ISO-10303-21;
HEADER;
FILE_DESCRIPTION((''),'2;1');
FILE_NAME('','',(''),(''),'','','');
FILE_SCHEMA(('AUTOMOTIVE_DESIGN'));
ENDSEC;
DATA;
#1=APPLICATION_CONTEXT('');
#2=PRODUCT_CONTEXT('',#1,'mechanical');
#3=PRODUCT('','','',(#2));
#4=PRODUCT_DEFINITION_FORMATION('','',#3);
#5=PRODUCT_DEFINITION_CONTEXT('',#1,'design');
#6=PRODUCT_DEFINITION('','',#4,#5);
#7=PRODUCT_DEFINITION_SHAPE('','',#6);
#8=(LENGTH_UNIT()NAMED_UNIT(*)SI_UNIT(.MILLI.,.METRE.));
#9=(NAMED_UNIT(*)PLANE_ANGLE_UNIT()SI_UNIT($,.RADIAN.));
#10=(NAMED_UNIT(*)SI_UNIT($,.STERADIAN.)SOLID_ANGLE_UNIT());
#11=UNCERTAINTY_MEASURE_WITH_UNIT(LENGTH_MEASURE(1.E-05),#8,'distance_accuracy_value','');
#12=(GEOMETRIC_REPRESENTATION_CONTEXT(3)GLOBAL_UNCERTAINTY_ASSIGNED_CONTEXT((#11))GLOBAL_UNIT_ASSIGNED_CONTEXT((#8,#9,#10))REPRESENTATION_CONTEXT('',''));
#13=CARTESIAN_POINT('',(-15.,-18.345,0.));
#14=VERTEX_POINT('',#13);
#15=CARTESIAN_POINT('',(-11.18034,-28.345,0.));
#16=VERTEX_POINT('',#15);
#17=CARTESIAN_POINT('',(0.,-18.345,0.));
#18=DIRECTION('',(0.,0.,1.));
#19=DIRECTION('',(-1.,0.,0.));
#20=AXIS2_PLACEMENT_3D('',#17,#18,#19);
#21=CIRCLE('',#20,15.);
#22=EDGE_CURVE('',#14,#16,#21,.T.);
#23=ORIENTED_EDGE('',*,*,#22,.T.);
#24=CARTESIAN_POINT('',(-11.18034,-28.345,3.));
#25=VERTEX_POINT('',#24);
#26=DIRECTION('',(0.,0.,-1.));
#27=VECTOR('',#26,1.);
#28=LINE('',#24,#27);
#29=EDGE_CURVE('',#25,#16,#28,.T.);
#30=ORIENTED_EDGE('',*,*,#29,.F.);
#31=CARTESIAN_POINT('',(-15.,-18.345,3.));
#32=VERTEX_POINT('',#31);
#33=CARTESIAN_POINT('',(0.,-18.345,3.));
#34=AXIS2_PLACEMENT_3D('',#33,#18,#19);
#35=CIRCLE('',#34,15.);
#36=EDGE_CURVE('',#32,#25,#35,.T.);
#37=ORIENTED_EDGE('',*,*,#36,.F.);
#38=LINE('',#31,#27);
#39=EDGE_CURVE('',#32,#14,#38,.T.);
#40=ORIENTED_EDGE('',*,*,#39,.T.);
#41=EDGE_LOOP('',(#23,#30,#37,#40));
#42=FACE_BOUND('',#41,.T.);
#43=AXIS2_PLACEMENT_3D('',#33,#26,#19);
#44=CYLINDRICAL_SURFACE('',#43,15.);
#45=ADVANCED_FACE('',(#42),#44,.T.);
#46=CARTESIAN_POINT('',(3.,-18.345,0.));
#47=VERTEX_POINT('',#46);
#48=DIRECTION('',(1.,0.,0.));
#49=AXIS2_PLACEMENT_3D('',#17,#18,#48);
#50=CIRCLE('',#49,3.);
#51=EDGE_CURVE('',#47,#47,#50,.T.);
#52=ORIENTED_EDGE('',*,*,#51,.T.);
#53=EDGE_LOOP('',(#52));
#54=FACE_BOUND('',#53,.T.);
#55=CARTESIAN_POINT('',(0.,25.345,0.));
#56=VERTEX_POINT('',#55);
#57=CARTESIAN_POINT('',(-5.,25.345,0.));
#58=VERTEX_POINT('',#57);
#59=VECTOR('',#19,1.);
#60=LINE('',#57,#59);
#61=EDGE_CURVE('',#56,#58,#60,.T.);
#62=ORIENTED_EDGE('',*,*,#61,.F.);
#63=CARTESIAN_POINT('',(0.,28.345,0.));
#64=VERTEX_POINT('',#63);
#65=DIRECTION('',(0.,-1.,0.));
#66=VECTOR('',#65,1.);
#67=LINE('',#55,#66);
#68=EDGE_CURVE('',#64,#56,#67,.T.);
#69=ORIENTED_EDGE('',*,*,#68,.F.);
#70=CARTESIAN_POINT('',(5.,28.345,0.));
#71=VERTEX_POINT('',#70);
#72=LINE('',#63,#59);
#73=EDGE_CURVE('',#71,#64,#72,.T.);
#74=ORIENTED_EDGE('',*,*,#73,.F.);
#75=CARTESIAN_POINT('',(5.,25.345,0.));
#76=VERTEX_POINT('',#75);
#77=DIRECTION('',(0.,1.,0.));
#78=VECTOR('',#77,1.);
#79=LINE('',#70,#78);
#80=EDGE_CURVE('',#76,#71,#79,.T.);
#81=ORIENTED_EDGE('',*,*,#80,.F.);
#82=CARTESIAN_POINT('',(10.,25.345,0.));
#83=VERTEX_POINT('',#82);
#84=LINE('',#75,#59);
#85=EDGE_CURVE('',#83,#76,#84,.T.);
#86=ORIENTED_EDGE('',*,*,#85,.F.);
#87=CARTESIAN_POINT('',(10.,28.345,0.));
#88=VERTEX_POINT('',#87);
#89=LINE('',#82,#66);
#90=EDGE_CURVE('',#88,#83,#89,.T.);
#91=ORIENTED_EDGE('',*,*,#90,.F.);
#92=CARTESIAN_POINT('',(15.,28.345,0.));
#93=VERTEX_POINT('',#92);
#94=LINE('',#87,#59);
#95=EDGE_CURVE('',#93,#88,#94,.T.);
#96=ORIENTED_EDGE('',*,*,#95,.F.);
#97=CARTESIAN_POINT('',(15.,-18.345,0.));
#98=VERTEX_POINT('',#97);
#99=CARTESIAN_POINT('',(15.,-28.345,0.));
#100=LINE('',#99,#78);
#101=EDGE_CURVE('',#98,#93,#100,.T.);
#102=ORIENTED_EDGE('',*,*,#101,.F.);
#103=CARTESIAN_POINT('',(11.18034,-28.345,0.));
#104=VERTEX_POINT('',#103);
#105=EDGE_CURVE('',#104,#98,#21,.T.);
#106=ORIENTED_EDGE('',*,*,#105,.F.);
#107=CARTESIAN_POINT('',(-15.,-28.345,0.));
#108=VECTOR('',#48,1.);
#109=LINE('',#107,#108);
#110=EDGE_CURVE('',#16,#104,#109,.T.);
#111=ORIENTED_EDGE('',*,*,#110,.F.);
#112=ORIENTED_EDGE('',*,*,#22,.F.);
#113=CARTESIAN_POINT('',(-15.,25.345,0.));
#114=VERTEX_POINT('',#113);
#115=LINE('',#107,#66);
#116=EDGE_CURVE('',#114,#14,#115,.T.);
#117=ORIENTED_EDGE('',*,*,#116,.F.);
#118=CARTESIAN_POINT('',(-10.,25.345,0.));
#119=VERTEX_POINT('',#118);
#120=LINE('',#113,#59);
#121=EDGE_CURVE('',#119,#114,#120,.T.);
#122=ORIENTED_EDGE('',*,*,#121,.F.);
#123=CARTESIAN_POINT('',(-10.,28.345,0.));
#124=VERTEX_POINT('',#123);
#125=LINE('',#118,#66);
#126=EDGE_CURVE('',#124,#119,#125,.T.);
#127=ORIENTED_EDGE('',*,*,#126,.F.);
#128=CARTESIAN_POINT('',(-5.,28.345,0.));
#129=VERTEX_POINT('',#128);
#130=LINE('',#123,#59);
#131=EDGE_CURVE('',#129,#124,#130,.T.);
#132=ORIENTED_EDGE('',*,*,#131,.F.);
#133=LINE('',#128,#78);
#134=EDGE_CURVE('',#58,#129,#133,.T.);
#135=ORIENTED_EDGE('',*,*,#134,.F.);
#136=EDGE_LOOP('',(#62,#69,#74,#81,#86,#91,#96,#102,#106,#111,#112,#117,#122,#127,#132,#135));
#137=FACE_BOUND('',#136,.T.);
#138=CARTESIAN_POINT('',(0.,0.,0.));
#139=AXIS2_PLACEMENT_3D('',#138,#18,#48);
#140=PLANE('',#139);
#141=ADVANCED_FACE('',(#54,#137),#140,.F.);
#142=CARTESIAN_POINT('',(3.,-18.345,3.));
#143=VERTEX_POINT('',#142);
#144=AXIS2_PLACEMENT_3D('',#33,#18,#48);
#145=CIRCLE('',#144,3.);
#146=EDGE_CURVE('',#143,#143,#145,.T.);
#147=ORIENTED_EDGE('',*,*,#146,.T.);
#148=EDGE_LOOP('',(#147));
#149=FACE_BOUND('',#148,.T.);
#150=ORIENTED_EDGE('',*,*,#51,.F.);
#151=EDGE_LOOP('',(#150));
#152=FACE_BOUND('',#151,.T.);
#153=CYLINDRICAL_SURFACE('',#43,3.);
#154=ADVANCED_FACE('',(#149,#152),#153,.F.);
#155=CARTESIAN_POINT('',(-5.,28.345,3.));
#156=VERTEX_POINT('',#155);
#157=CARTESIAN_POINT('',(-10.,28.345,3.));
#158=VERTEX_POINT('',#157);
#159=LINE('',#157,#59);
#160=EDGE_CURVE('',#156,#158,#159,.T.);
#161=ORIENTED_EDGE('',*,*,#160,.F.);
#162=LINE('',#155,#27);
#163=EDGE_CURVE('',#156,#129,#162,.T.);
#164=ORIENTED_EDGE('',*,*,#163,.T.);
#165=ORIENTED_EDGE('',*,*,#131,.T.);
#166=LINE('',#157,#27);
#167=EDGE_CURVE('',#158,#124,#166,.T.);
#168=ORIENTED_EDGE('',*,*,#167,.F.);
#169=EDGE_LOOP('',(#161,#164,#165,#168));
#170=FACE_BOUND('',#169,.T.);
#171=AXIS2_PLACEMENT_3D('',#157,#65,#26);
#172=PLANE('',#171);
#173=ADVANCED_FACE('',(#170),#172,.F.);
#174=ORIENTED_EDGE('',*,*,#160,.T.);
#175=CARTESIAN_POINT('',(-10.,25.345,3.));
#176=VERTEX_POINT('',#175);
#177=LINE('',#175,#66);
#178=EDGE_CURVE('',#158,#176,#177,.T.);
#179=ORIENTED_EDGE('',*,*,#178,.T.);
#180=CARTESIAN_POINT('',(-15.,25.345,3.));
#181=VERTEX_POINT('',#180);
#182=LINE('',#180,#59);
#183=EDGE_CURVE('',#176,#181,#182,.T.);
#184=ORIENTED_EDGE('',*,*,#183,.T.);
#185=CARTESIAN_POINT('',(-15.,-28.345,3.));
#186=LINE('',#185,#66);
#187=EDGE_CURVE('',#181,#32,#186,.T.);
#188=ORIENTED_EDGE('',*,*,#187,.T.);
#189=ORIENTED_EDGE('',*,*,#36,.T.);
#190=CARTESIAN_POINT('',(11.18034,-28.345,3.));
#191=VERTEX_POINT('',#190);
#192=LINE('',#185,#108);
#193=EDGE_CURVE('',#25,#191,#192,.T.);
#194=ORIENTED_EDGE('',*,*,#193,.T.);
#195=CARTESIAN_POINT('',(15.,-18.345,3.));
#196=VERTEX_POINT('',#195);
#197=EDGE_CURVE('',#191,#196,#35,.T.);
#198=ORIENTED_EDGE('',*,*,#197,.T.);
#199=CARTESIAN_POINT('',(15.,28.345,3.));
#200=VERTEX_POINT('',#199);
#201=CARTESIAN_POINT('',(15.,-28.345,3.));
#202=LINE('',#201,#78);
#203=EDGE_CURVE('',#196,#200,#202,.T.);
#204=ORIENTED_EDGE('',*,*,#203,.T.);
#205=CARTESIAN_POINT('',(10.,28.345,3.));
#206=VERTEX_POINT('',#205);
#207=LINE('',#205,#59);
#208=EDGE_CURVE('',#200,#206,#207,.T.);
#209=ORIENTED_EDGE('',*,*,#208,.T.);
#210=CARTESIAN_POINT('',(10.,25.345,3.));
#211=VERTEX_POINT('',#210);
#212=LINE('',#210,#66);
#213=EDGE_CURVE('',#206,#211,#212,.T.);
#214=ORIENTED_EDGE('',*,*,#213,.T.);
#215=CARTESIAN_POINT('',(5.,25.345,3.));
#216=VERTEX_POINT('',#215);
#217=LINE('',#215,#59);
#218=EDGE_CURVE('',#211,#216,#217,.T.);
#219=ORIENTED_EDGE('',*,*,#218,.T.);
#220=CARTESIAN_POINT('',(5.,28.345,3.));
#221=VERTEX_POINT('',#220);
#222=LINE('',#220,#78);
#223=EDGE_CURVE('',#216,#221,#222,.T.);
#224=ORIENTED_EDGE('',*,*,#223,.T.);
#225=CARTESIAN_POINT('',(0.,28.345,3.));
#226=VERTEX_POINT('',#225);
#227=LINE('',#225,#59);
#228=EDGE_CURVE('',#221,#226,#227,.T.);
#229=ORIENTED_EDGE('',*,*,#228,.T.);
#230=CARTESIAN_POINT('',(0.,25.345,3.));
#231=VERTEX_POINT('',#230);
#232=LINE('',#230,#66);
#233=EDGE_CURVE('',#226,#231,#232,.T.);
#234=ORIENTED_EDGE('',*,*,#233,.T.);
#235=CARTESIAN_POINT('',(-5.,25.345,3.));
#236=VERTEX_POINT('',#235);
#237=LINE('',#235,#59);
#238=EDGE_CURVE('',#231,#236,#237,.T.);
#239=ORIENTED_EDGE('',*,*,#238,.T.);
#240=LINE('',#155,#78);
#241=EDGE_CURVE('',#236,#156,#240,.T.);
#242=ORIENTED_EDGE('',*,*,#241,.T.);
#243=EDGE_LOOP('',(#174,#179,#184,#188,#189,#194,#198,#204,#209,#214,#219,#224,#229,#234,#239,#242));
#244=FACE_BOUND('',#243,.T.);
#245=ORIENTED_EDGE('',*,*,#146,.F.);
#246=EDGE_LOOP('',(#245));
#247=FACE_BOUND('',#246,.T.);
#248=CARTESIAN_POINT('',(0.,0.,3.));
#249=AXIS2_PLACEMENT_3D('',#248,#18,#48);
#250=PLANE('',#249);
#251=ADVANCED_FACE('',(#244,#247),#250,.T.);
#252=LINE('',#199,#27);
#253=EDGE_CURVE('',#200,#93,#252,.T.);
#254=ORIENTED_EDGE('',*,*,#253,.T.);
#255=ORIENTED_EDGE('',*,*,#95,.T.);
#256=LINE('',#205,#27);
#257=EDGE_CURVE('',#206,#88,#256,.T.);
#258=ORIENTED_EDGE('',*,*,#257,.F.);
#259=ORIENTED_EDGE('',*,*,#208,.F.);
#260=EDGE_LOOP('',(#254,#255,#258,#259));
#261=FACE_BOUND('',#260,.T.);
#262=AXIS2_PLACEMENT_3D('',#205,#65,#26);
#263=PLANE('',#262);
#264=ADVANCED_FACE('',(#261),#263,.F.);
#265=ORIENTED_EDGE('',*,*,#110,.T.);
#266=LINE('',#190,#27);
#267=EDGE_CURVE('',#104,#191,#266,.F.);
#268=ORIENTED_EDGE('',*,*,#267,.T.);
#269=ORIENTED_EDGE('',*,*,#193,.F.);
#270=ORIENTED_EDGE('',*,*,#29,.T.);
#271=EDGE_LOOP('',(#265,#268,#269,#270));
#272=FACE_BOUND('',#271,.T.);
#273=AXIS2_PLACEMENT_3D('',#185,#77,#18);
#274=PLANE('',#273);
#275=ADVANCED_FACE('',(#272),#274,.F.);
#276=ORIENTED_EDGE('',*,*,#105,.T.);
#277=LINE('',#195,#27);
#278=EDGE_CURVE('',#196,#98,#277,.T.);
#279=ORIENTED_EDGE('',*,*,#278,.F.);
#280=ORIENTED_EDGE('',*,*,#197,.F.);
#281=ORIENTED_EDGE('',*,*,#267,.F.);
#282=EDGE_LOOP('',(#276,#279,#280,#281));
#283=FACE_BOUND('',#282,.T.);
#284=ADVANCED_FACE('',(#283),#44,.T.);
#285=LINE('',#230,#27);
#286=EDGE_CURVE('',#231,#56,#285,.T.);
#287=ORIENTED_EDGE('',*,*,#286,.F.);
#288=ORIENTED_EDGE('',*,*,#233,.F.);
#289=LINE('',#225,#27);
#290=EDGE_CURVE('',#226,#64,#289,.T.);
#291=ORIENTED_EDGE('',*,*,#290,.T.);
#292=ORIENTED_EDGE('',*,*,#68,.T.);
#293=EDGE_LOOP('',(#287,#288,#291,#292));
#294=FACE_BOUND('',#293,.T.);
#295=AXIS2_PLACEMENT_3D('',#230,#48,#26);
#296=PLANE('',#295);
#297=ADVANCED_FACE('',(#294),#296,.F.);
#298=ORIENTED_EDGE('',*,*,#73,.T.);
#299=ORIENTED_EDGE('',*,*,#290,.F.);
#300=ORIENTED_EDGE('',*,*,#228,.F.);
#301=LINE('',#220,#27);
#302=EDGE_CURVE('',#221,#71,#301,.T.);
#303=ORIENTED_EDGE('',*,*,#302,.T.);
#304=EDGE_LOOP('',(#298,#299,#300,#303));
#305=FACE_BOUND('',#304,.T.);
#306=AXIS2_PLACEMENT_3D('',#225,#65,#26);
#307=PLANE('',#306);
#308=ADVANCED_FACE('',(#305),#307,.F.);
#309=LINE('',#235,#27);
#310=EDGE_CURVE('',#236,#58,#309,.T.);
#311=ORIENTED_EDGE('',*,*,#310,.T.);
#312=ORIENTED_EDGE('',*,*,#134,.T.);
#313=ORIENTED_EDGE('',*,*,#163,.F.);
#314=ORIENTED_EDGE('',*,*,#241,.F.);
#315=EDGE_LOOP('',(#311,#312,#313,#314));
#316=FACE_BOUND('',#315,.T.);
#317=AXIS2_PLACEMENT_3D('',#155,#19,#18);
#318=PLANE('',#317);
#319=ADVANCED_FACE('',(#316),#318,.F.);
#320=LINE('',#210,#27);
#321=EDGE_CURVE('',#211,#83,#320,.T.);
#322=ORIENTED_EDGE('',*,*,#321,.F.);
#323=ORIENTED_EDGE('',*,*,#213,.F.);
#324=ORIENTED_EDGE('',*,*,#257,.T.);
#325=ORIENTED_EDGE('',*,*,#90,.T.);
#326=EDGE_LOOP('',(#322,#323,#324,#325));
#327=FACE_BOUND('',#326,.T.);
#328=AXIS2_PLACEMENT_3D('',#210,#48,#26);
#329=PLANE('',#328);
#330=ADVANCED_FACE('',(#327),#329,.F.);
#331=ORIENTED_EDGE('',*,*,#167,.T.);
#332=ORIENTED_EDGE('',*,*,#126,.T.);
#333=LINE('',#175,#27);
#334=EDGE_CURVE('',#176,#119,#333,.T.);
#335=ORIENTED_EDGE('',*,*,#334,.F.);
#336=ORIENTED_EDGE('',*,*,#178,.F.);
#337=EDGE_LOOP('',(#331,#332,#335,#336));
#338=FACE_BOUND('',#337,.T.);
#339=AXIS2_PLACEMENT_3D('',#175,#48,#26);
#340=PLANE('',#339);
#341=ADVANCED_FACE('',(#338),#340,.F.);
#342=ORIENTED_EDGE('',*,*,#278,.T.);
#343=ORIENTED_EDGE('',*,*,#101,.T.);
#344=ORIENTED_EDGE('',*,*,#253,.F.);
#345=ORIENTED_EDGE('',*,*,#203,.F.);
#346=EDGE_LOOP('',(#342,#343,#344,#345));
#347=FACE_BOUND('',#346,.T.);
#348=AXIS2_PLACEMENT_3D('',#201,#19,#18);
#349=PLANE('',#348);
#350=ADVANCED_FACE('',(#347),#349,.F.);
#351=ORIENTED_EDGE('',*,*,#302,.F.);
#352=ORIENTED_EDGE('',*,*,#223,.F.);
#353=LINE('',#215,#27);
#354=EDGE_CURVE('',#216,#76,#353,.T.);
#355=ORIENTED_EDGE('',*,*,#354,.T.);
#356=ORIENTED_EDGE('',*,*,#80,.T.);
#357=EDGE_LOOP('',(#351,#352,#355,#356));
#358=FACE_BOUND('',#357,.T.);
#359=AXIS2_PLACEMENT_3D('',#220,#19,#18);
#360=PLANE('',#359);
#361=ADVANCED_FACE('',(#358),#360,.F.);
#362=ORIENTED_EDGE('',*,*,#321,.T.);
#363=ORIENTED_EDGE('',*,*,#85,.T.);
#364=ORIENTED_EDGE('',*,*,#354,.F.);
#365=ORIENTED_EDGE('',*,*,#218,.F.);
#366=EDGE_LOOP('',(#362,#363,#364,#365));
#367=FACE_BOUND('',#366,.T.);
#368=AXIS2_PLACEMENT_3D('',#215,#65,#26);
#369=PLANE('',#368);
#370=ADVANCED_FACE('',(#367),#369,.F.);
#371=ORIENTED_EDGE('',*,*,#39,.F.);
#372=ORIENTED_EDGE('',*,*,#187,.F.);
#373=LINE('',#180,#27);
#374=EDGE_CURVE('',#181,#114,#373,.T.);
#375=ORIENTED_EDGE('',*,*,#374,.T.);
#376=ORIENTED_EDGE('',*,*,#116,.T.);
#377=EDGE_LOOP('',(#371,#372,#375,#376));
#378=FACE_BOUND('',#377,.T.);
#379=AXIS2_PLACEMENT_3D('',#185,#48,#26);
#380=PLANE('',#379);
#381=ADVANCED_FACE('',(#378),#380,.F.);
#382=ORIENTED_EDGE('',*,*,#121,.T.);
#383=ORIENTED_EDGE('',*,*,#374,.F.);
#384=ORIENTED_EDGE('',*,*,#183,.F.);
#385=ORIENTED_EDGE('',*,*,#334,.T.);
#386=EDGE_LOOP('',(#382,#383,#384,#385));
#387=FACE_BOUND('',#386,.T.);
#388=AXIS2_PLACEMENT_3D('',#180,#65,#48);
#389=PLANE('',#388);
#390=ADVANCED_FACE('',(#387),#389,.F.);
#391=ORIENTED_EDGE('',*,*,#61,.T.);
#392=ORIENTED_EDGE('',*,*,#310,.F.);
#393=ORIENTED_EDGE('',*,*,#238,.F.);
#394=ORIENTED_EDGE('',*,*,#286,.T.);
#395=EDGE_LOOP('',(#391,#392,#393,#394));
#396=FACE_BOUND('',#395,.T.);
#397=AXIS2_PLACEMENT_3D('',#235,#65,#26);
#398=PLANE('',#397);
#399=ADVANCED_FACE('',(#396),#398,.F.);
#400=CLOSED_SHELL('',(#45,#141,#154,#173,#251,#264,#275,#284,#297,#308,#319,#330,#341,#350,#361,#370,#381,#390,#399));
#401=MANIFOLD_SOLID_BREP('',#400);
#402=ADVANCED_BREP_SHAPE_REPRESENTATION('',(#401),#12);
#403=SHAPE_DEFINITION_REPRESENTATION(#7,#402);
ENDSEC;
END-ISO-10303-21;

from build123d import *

# Parameters (mm, degrees)
CROQUIS1_R              = 3
SALIENTE_EXTRUIR1_DEPTH = 3
CORTAR_EXTRUIR1_DEPTH   = 3


with BuildPart() as part:
    # Croquis1 → Saliente-Extruir1 (new body)
    with BuildSketch(Plane.XY):
        Polygon((-15, -28.345), (15, -28.345), (15, 28.345), (10, 28.345), (10, 25.345), (5, 25.345), (5, 28.345), (0, 28.345), (0, 25.345), (-5, 25.345), (-5, 28.345), (-10, 28.345), (-10, 25.345), (-15, 25.345), align=None)
        with Locations((0, -18.345)):
            Circle(CROQUIS1_R, mode=Mode.SUBTRACT)
    extrude(amount=SALIENTE_EXTRUIR1_DEPTH)

    # Croquis2 → Cortar-Extruir1 (cut)
    with BuildSketch(Plane(origin=(0, 0, 0), x_dir=(-1, 0, 0), z_dir=(0, 0, -1))):
        with BuildLine():
            Line((-15, -18.345), (-21.186751232, -18.345))
            Line((-21.186751232, -18.345), (-21.186751232, -37.148085908))
            Line((-21.186751232, -37.148085908), (21.188955731, -37.148085908))
            Line((21.188955731, -37.148085908), (21.188955731, -18.345))
            Line((21.188955731, -18.345), (15, -18.345))
            ThreePointArc((15, -18.345), (0, -33.345), (-15, -18.345))
        make_face()
    extrude(amount=-CORTAR_EXTRUIR1_DEPTH, mode=Mode.SUBTRACT)


solid = part.part
